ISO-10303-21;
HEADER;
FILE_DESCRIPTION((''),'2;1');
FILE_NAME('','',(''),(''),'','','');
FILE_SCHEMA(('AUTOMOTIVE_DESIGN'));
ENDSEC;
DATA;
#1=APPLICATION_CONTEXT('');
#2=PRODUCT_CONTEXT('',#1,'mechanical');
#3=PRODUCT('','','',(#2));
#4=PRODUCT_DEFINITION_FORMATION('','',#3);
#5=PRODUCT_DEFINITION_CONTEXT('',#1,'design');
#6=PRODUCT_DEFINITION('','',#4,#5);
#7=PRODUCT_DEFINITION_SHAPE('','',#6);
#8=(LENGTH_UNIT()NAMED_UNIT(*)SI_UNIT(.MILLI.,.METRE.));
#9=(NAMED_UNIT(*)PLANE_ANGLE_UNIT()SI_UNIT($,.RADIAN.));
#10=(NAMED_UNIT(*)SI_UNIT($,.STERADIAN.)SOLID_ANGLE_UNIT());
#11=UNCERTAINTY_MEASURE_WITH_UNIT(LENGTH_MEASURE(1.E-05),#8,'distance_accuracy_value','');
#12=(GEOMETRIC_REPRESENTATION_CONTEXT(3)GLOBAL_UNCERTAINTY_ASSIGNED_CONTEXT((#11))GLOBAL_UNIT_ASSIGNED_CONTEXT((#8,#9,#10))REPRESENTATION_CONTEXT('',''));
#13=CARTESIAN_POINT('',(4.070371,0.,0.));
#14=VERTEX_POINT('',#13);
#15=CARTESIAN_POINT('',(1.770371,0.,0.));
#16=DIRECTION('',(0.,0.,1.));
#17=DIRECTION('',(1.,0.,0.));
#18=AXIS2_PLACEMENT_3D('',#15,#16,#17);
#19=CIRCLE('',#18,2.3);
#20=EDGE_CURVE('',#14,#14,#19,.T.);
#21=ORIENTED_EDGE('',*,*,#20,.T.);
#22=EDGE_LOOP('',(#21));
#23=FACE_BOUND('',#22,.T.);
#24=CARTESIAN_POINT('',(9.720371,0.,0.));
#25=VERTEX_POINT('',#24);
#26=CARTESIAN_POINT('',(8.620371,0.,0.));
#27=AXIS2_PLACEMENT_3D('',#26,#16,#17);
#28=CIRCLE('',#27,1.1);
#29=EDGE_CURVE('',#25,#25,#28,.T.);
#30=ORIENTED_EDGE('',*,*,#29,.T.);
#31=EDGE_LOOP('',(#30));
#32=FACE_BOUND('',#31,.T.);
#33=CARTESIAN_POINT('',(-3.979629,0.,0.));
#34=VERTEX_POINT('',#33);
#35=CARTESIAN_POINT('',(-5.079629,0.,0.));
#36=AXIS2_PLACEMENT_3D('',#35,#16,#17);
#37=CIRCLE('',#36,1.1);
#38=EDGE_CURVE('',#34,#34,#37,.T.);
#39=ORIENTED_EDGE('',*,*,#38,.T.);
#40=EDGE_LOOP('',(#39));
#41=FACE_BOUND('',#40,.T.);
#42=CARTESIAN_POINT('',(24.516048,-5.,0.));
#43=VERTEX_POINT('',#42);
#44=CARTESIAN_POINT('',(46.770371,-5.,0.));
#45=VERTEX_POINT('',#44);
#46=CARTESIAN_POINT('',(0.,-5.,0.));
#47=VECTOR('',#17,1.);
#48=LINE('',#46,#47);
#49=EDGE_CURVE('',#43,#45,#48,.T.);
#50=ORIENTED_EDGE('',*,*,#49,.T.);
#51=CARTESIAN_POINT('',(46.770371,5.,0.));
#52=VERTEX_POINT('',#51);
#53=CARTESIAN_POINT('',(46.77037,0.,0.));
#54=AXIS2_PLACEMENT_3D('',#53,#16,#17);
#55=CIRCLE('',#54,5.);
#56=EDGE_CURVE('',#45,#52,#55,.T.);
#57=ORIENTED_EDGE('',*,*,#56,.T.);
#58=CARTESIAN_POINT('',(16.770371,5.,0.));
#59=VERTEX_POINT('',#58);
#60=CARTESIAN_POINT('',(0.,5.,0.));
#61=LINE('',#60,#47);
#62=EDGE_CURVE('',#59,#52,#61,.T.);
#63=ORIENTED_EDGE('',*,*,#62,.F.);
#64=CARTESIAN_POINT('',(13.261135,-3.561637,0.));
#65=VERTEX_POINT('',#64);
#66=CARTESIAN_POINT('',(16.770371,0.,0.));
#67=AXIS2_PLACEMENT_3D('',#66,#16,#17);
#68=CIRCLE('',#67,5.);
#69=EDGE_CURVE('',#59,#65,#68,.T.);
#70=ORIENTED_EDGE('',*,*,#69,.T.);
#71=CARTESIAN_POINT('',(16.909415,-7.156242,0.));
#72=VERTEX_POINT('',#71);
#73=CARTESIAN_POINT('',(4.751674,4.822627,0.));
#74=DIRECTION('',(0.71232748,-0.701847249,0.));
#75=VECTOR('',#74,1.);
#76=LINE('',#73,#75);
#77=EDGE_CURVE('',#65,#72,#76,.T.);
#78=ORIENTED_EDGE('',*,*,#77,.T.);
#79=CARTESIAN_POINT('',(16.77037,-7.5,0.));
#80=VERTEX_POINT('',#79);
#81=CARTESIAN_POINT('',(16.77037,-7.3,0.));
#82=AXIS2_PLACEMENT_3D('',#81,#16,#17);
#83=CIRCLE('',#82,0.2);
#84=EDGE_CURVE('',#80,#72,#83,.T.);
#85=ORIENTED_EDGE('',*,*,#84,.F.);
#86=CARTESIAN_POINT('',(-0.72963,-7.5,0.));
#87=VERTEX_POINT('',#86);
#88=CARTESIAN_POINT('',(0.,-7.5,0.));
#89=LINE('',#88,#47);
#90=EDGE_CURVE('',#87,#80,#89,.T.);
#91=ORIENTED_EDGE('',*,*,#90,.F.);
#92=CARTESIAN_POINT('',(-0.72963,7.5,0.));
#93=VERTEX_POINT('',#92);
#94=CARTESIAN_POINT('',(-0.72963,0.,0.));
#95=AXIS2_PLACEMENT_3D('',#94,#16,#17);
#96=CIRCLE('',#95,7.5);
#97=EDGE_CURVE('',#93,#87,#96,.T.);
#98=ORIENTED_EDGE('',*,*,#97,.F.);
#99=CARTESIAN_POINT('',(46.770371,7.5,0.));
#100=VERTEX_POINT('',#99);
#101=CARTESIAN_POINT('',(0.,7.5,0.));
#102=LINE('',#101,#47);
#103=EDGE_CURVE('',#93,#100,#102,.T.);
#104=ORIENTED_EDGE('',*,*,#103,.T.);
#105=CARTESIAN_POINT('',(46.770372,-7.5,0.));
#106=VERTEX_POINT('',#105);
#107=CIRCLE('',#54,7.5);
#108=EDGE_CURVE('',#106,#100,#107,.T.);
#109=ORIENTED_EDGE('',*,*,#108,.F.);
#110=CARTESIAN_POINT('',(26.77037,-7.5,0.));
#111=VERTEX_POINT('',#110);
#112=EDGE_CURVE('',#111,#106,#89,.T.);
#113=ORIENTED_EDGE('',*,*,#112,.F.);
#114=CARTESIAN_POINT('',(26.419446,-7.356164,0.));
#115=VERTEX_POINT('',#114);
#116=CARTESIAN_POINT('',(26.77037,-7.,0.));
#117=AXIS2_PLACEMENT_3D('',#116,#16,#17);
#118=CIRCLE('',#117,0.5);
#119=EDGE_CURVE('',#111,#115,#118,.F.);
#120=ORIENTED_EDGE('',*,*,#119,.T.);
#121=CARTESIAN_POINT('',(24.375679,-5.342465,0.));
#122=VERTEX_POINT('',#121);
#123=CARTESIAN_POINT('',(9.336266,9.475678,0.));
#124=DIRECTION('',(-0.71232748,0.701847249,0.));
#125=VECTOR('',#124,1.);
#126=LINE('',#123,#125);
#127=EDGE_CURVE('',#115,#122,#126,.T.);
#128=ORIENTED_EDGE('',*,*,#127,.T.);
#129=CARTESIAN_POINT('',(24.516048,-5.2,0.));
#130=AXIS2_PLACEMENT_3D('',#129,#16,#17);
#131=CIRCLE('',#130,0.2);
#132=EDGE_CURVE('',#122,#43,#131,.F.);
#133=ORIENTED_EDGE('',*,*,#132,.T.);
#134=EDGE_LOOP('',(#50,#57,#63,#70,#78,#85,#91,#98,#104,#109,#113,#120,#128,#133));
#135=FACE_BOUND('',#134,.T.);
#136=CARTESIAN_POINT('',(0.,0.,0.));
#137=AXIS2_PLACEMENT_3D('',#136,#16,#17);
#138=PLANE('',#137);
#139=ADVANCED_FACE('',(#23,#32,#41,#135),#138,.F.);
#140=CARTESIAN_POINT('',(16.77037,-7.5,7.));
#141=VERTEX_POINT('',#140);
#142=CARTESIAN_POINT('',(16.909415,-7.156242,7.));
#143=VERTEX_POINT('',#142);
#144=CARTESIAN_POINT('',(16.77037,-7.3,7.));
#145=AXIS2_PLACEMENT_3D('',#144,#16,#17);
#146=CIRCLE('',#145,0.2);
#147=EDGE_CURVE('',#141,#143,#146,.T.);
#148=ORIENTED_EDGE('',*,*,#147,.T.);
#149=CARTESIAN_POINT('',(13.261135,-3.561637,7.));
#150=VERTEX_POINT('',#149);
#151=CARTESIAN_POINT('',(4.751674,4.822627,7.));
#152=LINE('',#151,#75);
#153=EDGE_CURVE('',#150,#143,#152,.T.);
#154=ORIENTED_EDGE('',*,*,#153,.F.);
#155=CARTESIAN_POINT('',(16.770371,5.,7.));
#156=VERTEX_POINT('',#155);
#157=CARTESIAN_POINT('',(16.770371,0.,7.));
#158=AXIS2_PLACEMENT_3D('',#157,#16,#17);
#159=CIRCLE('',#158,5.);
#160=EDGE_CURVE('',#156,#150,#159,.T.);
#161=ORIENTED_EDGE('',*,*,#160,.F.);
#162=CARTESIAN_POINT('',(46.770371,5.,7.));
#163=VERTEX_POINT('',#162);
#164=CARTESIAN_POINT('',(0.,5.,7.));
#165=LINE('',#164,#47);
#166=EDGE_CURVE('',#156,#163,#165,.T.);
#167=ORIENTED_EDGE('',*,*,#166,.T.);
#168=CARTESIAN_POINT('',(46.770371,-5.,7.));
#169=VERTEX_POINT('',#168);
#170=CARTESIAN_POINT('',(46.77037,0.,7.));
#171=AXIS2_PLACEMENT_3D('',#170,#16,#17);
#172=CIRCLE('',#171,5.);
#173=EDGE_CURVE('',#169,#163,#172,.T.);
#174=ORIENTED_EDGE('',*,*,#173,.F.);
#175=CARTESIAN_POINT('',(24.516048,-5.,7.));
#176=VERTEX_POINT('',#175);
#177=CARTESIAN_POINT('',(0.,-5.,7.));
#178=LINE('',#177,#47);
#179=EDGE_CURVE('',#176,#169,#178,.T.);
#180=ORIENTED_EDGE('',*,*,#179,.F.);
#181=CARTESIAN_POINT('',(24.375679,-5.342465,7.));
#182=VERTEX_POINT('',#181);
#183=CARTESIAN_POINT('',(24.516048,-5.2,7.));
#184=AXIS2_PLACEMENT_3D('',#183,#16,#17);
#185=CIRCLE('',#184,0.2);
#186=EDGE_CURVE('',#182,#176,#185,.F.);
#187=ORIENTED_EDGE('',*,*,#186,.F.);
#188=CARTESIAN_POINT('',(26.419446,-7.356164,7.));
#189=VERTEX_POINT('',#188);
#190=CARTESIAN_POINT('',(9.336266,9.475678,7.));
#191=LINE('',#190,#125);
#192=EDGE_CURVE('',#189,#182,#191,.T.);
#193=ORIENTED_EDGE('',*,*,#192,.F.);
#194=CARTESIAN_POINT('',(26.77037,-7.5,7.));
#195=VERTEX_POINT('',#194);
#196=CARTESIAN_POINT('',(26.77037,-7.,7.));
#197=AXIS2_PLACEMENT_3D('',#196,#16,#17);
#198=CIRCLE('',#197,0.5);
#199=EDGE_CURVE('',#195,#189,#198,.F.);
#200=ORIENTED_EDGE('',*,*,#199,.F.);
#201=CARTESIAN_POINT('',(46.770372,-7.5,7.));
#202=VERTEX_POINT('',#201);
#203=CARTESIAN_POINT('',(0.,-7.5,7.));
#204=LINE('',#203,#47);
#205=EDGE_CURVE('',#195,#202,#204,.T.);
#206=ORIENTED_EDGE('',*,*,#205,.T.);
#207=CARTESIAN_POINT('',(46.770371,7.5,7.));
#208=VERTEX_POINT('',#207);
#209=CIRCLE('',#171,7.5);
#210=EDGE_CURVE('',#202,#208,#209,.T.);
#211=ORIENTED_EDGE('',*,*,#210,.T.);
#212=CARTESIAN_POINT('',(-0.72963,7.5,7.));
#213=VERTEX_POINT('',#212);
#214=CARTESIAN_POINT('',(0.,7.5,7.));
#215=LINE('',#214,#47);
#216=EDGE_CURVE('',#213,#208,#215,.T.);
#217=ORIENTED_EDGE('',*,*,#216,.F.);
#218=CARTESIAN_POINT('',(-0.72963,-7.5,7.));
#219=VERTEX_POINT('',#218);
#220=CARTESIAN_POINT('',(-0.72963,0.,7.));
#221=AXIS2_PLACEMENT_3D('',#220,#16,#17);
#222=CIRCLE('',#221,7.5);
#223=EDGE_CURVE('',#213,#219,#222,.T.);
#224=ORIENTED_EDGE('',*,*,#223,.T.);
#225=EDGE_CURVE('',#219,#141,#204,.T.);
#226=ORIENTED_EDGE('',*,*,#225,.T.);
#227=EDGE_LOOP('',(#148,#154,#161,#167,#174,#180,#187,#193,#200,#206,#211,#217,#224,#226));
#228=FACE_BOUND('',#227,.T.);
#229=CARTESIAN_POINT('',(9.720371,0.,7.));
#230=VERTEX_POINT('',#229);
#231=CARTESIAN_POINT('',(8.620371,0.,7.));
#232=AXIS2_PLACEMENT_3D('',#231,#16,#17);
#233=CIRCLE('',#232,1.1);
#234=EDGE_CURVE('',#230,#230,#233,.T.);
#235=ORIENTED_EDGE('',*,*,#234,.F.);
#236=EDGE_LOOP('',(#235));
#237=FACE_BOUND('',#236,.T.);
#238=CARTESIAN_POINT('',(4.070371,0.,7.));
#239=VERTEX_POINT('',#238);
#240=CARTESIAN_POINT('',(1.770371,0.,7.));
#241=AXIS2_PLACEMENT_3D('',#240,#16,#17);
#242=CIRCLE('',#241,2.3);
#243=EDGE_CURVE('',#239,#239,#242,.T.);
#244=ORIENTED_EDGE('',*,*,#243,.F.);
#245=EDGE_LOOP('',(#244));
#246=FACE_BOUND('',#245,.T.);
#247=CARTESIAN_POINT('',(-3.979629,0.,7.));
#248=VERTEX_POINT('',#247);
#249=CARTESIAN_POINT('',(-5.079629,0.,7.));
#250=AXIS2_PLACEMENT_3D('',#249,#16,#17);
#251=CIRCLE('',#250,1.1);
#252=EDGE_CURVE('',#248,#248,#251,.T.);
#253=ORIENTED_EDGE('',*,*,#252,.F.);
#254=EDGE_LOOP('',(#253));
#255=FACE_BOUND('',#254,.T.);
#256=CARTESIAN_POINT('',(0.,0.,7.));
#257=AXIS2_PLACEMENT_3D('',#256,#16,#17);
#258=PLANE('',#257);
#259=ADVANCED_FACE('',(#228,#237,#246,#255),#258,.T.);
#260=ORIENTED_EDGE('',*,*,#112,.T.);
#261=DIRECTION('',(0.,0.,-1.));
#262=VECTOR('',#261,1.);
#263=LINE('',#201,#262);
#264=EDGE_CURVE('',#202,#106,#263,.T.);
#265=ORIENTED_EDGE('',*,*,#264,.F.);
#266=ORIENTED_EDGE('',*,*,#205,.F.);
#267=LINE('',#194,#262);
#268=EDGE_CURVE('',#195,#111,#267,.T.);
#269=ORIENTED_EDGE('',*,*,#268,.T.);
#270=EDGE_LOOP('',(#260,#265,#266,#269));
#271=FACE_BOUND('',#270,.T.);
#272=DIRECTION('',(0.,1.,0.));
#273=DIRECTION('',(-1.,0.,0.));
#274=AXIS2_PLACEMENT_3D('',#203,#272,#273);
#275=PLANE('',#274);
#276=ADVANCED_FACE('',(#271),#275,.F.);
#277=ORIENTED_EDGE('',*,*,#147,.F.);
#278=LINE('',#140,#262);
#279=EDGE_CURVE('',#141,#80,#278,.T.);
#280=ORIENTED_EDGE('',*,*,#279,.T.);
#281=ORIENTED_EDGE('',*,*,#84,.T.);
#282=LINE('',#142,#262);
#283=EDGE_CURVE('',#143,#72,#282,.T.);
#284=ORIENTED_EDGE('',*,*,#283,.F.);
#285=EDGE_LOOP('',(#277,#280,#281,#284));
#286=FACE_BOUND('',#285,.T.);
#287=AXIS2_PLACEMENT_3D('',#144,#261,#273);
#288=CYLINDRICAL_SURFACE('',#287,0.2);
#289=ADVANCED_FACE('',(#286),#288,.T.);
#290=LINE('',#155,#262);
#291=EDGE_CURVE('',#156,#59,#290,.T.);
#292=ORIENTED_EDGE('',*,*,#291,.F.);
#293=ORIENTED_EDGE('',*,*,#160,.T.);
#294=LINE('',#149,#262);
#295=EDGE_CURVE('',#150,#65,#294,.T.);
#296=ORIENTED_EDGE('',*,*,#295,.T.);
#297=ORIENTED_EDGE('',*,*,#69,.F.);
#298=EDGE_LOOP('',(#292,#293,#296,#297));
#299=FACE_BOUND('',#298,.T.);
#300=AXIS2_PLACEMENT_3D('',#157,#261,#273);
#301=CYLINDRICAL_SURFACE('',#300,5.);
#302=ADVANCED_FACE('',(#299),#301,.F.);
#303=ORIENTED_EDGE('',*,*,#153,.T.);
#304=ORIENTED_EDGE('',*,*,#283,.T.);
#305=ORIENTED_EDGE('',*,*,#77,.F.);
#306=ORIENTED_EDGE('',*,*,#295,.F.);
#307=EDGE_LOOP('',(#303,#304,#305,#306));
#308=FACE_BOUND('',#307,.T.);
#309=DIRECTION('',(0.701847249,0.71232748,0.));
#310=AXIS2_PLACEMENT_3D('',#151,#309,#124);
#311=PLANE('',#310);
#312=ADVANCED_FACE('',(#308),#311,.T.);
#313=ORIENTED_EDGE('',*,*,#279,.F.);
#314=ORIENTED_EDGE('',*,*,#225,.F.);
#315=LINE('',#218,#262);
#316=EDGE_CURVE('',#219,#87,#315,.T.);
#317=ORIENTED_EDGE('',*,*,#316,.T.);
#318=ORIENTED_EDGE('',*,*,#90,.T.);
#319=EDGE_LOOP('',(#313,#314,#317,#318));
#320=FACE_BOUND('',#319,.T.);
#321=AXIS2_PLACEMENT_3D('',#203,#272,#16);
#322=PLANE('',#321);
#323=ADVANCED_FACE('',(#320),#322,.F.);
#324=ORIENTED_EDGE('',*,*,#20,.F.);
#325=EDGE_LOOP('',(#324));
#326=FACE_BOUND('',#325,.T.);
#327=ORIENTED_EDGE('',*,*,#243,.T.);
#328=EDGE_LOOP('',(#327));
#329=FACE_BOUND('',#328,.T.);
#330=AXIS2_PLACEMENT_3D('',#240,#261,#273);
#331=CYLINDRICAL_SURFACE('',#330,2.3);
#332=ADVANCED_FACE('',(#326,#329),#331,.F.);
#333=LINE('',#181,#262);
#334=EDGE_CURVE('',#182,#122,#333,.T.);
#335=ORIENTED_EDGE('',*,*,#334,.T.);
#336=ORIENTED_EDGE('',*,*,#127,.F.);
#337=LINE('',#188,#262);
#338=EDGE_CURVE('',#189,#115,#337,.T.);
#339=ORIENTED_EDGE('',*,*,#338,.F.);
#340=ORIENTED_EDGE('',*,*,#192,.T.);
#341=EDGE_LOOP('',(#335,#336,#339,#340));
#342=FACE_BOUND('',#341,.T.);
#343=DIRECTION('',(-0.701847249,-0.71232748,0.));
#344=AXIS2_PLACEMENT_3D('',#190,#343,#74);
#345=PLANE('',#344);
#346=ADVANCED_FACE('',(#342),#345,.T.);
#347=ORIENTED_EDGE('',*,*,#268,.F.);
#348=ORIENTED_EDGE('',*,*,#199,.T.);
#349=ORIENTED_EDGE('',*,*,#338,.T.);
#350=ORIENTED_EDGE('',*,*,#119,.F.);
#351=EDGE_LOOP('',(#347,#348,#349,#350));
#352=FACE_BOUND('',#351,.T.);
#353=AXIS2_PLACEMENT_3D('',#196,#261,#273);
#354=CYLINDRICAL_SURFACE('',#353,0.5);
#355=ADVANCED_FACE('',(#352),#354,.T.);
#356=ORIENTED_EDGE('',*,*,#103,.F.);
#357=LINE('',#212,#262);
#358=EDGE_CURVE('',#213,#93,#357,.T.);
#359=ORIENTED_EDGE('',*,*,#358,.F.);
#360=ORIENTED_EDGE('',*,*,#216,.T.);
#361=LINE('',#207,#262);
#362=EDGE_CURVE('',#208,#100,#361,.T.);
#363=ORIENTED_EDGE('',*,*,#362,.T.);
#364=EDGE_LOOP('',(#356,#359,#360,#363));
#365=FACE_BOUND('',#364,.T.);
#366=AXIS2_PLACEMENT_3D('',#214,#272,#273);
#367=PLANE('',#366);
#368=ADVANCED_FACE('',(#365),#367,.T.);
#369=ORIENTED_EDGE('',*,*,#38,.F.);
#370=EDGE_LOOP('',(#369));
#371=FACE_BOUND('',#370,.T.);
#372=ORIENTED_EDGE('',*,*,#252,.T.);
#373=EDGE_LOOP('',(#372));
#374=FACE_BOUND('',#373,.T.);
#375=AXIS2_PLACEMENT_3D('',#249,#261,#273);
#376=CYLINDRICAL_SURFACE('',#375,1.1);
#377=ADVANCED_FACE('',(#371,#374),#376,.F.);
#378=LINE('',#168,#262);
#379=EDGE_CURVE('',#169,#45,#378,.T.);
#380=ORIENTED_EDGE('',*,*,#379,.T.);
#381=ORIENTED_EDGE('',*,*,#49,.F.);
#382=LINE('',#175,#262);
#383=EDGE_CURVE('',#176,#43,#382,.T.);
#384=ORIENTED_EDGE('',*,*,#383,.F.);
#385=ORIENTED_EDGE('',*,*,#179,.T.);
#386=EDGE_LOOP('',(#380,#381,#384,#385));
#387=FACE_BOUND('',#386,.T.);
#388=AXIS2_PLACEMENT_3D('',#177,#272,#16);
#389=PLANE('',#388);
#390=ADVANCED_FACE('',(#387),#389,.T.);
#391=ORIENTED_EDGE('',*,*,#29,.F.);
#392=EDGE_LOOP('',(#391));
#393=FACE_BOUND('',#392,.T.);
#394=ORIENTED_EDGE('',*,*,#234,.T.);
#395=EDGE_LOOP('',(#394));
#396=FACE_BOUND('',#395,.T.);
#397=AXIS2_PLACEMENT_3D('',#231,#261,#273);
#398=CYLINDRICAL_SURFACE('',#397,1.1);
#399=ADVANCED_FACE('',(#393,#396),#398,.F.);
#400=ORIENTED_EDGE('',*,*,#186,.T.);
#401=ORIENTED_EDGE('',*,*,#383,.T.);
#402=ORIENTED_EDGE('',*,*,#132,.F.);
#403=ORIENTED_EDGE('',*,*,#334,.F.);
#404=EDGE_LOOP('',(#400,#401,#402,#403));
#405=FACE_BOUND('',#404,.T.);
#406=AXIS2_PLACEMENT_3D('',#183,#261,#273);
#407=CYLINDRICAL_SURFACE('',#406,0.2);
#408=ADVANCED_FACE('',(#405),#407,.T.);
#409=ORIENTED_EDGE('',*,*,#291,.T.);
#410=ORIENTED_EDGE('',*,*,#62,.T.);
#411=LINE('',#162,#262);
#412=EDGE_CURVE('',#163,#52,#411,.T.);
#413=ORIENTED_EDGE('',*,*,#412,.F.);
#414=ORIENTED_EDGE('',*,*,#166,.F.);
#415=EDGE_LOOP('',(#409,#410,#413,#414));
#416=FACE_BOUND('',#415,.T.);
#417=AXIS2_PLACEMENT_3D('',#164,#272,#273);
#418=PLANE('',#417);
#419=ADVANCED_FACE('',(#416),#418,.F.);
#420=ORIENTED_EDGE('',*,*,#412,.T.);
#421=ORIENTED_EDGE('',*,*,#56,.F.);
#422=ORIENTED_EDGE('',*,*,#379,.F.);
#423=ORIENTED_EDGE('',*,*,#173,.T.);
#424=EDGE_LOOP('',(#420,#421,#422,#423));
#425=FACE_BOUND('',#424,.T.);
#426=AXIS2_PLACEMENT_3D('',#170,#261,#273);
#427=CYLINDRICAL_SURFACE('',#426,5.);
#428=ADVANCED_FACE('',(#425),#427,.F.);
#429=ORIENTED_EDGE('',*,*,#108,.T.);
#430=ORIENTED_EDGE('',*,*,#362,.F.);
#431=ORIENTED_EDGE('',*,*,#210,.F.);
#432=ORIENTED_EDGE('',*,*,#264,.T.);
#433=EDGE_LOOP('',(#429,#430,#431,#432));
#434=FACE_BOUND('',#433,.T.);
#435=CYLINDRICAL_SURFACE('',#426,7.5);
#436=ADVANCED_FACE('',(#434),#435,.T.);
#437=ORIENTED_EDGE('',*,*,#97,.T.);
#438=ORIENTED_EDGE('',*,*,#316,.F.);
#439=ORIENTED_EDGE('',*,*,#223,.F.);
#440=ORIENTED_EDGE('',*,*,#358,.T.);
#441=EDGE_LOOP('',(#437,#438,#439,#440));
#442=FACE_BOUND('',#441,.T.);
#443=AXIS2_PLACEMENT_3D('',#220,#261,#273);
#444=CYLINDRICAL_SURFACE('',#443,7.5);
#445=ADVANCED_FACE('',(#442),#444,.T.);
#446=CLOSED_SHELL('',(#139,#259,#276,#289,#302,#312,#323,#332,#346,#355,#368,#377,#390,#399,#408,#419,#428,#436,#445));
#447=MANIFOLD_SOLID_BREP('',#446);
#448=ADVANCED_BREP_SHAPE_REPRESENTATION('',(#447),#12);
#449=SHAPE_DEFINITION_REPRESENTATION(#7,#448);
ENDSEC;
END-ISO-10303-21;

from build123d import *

# Parameters (mm, degrees)
SKETCH2_R           = 2.3
SKETCH2_R_2         = 1.1
BOSS_EXTRUDE1_DEPTH = 7


with BuildPart() as part:
    # Sketch2 → Boss-Extrude1 (new body)
    with BuildSketch(Plane.XY):
        with BuildLine():
            Line((16.77037128, 5), (46.77037128, 5))
            ThreePointArc((46.77037128, 5), (51.770370099, 0), (46.77037128, -5))
            Line((46.77037128, -5), (24.516048425, -5))
            ThreePointArc((24.516048425, -5), (24.330990192, -5.124148498), (24.375678975, -5.342465496))
            Line((24.375678975, -5.342465496), (26.419446474, -7.35616374))
            ThreePointArc((26.419446474, -7.35616374), (26.580741343, -7.462645583), (26.770370099, -7.5))
            Line((26.770370099, -7.5), (46.77037187, -7.5))
            ThreePointArc((46.77037187, -7.5), (54.270370099, 2.95e-07), (46.77037128, 7.5))
            Line((46.77037128, 7.5), (-0.729629901, 7.5))
            ThreePointArc((-0.729629901, 7.5), (-8.229629901, 0), (-0.729629901, -7.5))
            Line((-0.729629901, -7.5), (16.770370099, -7.5))
            ThreePointArc((16.770370099, -7.5), (16.95577733, -7.374994391), (16.909415122, -7.156241586))
            Line((16.909415122, -7.156241586), (13.261135036, -3.561637402))
            ThreePointArc((13.261135036, -3.561637402), (12.143915454, 1.896287556), (16.77037128, 5))
        make_face()
        with Locations((1.770370689, 0)):
            Circle(SKETCH2_R, mode=Mode.SUBTRACT)
        with Locations((8.620370689, 0)):
            Circle(SKETCH2_R_2, mode=Mode.SUBTRACT)
        with Locations((-5.079629311, 0)):
            Circle(SKETCH2_R_2, mode=Mode.SUBTRACT)
    extrude(amount=BOSS_EXTRUDE1_DEPTH)


solid = part.part
